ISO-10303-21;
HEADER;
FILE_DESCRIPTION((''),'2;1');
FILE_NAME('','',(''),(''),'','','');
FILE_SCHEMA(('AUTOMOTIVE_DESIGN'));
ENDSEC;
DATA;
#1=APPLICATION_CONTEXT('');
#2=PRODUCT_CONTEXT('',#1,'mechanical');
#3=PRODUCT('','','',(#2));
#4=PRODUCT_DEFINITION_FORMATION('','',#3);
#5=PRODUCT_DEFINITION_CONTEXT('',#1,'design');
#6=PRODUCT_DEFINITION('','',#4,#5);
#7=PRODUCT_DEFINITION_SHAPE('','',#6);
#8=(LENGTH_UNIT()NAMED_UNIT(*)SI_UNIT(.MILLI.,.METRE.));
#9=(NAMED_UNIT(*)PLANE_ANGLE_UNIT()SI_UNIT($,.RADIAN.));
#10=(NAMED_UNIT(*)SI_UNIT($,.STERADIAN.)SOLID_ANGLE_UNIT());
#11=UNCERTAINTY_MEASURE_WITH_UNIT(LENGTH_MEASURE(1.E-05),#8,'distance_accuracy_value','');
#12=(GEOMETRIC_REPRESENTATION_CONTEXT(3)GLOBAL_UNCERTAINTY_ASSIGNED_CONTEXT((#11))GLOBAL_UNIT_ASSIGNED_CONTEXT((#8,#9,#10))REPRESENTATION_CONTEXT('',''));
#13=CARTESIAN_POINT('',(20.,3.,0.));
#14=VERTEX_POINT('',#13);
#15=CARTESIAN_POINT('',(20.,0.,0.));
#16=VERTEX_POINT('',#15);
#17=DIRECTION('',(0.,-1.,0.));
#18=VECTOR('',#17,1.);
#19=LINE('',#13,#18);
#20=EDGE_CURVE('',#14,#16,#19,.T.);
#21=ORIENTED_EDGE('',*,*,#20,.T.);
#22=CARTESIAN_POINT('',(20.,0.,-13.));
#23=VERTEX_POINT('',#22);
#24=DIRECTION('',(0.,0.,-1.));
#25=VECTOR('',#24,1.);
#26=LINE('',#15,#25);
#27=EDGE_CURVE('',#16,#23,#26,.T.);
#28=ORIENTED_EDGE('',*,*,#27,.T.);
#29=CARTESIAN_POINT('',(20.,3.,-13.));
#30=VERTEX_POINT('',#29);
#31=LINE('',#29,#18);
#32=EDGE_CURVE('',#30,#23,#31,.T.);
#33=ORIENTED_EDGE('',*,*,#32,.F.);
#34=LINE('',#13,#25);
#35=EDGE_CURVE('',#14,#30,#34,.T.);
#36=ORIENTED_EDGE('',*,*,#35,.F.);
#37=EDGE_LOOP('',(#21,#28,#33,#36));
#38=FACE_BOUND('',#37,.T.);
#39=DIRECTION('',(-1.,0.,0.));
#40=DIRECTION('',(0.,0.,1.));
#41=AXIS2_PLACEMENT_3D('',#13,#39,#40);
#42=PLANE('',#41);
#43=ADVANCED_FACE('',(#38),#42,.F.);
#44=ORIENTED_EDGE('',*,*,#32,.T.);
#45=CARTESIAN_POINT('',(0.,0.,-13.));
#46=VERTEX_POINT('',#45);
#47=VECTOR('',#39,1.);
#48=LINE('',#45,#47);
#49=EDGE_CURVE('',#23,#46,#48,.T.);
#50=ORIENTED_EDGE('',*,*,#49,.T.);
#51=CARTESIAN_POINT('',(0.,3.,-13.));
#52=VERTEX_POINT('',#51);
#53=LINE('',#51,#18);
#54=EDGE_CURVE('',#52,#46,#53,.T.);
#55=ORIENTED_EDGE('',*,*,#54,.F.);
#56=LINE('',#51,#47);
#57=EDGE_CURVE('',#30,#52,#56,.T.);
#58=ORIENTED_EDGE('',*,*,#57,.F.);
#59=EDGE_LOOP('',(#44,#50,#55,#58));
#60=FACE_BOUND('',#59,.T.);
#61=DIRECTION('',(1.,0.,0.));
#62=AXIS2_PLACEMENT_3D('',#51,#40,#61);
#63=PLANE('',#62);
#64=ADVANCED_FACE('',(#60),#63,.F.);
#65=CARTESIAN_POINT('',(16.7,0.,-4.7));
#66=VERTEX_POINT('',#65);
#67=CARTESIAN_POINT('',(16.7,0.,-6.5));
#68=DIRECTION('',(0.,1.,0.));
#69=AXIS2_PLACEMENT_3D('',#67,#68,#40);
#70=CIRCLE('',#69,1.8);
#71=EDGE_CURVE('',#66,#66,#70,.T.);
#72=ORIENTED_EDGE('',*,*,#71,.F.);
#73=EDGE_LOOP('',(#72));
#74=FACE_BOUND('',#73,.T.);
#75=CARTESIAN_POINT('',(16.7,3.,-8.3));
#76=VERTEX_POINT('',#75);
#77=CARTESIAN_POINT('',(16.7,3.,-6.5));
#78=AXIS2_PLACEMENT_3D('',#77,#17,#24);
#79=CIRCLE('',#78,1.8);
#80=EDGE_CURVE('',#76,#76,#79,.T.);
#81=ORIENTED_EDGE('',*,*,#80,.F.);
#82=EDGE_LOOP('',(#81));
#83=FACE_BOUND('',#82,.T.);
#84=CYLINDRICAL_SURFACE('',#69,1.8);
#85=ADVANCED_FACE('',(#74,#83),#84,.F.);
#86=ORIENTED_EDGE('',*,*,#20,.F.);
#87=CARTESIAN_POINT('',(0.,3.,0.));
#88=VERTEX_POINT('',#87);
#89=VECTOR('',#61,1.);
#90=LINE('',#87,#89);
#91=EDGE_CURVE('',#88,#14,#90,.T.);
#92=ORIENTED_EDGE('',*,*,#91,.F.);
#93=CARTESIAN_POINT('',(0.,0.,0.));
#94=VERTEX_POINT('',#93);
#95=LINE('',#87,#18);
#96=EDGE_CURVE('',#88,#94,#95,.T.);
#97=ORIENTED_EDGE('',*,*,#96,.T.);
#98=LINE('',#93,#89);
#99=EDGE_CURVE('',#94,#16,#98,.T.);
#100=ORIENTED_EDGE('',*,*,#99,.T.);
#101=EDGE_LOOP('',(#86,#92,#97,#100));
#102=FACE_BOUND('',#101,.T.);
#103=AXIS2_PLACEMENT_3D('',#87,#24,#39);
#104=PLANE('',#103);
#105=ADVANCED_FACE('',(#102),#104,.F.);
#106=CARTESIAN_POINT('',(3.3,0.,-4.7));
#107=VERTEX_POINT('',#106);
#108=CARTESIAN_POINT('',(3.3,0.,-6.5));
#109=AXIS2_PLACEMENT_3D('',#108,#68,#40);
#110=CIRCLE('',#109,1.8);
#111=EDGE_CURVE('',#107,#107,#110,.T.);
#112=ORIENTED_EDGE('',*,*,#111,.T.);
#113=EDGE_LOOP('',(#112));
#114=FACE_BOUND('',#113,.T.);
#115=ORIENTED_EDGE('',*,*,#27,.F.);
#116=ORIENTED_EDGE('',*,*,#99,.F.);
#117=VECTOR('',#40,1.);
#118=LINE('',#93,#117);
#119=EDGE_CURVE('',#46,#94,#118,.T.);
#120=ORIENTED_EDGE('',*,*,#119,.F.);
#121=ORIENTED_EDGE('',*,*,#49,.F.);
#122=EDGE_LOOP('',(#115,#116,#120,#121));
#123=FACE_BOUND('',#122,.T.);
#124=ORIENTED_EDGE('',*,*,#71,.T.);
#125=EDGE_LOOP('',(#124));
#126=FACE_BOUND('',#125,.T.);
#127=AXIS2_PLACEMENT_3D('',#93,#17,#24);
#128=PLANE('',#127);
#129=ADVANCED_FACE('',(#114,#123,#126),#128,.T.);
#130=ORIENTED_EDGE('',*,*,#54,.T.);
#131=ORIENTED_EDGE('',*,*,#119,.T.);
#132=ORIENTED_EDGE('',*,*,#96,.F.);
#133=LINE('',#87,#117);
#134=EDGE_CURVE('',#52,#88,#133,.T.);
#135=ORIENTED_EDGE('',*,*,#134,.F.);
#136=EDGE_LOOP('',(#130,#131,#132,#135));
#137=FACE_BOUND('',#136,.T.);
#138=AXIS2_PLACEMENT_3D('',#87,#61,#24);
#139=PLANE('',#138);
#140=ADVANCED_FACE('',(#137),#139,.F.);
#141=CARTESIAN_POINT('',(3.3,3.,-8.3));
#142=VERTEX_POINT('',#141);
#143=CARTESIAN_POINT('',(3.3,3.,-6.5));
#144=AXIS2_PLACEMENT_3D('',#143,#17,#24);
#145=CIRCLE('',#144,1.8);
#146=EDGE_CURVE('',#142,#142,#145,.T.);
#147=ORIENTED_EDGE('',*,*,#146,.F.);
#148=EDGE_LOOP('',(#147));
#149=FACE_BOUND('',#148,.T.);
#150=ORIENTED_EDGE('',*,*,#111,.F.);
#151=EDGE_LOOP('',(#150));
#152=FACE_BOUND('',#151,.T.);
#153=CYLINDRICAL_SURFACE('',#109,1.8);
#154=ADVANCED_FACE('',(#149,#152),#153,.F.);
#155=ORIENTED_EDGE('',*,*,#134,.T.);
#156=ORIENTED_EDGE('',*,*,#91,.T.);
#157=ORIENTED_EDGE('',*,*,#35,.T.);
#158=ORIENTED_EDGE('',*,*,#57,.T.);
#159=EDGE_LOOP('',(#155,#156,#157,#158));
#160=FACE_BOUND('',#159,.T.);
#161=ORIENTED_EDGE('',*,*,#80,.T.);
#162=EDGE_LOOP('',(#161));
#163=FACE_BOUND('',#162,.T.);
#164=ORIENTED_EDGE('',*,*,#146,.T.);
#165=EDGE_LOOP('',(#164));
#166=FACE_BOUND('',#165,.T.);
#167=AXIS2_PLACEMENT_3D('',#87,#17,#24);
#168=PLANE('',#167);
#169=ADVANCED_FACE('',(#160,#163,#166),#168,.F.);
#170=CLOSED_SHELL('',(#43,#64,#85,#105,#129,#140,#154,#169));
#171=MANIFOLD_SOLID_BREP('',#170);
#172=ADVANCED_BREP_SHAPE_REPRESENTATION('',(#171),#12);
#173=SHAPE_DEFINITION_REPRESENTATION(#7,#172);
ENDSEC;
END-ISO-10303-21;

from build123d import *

# Parameters (mm, degrees)
SKETCH1_W               = 20
SKETCH1_H               = 13
BOSS_EXTRUDE1_DEPTH     = 3
SKETCH2_R               = 1.8
CUT_EXTRUDE1_DEPTH      = 1
CUT_EXTRUDE1_DEPTH_BACK = 4


with BuildPart() as part:
    # Sketch1 → Boss-Extrude1 (new body)
    with BuildSketch(Plane(origin=(0, 0, 0), x_dir=(1, 0, 0), z_dir=(0, 1, 0))):
        with Locations((10, 6.5)):
            Rectangle(SKETCH1_W, SKETCH1_H)
    extrude(amount=BOSS_EXTRUDE1_DEPTH)

    # Sketch2 → Cut-Extrude1 (cut, two sides)
    with BuildSketch(Plane(origin=(0, 3, 0), x_dir=(1, 0, 0), z_dir=(0, 1, 0))) as cut_extrude1_sk:
        with Locations((3.3, 6.5)):
            Circle(SKETCH2_R)
        with Locations((16.7, 6.5)):
            Circle(SKETCH2_R)
    extrude(amount=CUT_EXTRUDE1_DEPTH, mode=Mode.SUBTRACT)
    extrude(cut_extrude1_sk.sketch, amount=-CUT_EXTRUDE1_DEPTH_BACK, mode=Mode.SUBTRACT)


solid = part.part
